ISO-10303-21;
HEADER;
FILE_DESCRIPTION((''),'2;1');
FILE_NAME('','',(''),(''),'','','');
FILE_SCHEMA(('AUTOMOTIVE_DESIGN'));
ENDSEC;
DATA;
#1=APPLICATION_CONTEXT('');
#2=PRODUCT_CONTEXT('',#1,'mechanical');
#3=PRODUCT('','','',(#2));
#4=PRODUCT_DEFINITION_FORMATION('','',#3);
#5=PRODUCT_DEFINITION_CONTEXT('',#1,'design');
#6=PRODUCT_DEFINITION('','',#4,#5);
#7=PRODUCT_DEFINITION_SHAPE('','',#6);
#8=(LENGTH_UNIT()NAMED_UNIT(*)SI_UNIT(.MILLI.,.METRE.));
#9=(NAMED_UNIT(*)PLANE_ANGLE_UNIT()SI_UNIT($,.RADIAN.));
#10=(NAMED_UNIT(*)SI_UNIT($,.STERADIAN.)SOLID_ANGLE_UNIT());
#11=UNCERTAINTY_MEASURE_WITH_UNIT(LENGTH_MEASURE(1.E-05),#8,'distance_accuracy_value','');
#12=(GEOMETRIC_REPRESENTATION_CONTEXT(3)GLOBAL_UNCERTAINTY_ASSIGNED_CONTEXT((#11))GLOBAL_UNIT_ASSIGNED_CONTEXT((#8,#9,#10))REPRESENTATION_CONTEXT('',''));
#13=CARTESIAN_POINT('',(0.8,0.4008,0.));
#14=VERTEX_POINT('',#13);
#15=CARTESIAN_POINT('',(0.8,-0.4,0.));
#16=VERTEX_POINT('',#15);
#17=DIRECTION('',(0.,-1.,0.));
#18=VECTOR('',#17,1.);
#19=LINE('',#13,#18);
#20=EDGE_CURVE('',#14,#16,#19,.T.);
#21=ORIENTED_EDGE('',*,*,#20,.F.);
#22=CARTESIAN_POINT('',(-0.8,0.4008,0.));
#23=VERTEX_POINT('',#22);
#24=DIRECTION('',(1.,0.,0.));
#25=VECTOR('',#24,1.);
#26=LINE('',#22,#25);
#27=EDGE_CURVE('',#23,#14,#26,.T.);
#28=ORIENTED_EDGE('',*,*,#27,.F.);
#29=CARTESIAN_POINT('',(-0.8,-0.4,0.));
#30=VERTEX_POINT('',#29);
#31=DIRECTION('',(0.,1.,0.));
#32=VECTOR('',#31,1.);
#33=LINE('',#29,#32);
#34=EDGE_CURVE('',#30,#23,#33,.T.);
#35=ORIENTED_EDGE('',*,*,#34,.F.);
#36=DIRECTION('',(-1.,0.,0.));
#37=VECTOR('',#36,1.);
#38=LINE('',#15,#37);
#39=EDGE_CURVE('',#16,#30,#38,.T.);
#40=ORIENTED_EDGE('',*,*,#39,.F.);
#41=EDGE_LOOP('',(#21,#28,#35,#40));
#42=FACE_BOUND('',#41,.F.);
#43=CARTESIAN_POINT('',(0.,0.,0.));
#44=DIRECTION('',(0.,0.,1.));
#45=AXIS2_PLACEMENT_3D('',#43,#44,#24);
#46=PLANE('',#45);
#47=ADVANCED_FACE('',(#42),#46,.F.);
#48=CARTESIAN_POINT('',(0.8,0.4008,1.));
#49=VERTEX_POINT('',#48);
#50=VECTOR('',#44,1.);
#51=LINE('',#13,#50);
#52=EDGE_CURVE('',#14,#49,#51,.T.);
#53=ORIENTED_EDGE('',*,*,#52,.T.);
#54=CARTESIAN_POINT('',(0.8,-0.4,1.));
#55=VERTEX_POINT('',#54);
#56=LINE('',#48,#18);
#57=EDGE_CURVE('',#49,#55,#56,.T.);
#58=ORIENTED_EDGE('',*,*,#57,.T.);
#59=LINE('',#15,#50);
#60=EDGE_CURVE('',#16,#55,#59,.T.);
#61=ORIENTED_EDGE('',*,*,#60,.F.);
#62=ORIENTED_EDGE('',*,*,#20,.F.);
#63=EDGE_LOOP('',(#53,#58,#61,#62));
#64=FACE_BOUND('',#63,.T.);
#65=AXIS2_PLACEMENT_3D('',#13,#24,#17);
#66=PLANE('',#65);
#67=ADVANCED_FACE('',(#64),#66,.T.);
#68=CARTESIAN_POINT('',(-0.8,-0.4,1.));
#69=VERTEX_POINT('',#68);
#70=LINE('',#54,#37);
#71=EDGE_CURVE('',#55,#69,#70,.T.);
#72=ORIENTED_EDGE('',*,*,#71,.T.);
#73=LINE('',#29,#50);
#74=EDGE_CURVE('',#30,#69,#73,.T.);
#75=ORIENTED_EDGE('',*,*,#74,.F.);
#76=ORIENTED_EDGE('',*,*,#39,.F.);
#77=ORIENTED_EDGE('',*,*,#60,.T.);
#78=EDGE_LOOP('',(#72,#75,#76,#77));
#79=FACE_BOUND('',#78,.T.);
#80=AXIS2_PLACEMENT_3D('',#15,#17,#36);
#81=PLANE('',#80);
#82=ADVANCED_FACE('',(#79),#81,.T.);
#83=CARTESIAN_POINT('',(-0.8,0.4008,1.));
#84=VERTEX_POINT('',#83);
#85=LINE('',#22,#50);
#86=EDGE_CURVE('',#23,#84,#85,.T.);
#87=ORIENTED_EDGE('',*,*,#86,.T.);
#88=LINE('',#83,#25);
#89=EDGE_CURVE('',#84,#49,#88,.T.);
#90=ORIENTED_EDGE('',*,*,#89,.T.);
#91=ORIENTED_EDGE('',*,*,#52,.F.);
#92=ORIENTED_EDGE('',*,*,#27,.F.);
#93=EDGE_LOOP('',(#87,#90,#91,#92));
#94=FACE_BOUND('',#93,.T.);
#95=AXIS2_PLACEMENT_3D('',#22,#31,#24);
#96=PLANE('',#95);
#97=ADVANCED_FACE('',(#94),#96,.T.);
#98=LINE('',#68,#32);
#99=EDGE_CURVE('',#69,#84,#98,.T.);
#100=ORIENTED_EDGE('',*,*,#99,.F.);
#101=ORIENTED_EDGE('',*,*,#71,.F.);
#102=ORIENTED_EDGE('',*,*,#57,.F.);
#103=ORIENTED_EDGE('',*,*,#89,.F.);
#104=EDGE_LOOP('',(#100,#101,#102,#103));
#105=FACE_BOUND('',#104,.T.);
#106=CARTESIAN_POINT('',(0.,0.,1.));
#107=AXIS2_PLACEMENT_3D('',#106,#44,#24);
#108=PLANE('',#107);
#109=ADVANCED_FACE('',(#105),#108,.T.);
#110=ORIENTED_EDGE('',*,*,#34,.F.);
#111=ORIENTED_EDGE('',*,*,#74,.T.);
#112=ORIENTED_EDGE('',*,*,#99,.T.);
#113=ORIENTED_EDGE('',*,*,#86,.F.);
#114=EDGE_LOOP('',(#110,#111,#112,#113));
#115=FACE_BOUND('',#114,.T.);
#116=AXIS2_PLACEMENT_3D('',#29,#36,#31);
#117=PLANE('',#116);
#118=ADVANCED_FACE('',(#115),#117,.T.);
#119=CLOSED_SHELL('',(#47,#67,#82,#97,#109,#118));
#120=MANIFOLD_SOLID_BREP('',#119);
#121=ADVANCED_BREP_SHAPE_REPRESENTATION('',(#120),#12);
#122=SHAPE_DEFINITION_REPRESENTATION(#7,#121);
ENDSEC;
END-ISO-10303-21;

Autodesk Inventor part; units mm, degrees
ref_plane "YZ Plane" through (0, 0, 0) normal (1, 0, 0) x (0, 1, 0)
ref_plane "XZ Plane" through (0, 0, 0) normal (0, 1, 0) x (-1, 0, 0)
ref_plane "XY Plane" through (0, 0, 0) normal (0, 0, 1) x (1, 0, 0)
sketch "C0603K, 0_1UF_10" plane through (0, 0, 0) normal (0, 0, 1) x (1, 0, 0)
  line L0 (-0.8, 0.4008) -> (0.8, 0.4008)
  line L1 (0.8, 0.4008) -> (0.8, -0.4)
  line L2 (0.8, -0.4) -> (-0.8, -0.4)
  line L3 (-0.8, -0.4) -> (-0.8, 0.4008)
extrude "Extrusion1" add sketch "C0603K, 0_1UF_10" along normal blind 1
properties part number "0_1UF"
